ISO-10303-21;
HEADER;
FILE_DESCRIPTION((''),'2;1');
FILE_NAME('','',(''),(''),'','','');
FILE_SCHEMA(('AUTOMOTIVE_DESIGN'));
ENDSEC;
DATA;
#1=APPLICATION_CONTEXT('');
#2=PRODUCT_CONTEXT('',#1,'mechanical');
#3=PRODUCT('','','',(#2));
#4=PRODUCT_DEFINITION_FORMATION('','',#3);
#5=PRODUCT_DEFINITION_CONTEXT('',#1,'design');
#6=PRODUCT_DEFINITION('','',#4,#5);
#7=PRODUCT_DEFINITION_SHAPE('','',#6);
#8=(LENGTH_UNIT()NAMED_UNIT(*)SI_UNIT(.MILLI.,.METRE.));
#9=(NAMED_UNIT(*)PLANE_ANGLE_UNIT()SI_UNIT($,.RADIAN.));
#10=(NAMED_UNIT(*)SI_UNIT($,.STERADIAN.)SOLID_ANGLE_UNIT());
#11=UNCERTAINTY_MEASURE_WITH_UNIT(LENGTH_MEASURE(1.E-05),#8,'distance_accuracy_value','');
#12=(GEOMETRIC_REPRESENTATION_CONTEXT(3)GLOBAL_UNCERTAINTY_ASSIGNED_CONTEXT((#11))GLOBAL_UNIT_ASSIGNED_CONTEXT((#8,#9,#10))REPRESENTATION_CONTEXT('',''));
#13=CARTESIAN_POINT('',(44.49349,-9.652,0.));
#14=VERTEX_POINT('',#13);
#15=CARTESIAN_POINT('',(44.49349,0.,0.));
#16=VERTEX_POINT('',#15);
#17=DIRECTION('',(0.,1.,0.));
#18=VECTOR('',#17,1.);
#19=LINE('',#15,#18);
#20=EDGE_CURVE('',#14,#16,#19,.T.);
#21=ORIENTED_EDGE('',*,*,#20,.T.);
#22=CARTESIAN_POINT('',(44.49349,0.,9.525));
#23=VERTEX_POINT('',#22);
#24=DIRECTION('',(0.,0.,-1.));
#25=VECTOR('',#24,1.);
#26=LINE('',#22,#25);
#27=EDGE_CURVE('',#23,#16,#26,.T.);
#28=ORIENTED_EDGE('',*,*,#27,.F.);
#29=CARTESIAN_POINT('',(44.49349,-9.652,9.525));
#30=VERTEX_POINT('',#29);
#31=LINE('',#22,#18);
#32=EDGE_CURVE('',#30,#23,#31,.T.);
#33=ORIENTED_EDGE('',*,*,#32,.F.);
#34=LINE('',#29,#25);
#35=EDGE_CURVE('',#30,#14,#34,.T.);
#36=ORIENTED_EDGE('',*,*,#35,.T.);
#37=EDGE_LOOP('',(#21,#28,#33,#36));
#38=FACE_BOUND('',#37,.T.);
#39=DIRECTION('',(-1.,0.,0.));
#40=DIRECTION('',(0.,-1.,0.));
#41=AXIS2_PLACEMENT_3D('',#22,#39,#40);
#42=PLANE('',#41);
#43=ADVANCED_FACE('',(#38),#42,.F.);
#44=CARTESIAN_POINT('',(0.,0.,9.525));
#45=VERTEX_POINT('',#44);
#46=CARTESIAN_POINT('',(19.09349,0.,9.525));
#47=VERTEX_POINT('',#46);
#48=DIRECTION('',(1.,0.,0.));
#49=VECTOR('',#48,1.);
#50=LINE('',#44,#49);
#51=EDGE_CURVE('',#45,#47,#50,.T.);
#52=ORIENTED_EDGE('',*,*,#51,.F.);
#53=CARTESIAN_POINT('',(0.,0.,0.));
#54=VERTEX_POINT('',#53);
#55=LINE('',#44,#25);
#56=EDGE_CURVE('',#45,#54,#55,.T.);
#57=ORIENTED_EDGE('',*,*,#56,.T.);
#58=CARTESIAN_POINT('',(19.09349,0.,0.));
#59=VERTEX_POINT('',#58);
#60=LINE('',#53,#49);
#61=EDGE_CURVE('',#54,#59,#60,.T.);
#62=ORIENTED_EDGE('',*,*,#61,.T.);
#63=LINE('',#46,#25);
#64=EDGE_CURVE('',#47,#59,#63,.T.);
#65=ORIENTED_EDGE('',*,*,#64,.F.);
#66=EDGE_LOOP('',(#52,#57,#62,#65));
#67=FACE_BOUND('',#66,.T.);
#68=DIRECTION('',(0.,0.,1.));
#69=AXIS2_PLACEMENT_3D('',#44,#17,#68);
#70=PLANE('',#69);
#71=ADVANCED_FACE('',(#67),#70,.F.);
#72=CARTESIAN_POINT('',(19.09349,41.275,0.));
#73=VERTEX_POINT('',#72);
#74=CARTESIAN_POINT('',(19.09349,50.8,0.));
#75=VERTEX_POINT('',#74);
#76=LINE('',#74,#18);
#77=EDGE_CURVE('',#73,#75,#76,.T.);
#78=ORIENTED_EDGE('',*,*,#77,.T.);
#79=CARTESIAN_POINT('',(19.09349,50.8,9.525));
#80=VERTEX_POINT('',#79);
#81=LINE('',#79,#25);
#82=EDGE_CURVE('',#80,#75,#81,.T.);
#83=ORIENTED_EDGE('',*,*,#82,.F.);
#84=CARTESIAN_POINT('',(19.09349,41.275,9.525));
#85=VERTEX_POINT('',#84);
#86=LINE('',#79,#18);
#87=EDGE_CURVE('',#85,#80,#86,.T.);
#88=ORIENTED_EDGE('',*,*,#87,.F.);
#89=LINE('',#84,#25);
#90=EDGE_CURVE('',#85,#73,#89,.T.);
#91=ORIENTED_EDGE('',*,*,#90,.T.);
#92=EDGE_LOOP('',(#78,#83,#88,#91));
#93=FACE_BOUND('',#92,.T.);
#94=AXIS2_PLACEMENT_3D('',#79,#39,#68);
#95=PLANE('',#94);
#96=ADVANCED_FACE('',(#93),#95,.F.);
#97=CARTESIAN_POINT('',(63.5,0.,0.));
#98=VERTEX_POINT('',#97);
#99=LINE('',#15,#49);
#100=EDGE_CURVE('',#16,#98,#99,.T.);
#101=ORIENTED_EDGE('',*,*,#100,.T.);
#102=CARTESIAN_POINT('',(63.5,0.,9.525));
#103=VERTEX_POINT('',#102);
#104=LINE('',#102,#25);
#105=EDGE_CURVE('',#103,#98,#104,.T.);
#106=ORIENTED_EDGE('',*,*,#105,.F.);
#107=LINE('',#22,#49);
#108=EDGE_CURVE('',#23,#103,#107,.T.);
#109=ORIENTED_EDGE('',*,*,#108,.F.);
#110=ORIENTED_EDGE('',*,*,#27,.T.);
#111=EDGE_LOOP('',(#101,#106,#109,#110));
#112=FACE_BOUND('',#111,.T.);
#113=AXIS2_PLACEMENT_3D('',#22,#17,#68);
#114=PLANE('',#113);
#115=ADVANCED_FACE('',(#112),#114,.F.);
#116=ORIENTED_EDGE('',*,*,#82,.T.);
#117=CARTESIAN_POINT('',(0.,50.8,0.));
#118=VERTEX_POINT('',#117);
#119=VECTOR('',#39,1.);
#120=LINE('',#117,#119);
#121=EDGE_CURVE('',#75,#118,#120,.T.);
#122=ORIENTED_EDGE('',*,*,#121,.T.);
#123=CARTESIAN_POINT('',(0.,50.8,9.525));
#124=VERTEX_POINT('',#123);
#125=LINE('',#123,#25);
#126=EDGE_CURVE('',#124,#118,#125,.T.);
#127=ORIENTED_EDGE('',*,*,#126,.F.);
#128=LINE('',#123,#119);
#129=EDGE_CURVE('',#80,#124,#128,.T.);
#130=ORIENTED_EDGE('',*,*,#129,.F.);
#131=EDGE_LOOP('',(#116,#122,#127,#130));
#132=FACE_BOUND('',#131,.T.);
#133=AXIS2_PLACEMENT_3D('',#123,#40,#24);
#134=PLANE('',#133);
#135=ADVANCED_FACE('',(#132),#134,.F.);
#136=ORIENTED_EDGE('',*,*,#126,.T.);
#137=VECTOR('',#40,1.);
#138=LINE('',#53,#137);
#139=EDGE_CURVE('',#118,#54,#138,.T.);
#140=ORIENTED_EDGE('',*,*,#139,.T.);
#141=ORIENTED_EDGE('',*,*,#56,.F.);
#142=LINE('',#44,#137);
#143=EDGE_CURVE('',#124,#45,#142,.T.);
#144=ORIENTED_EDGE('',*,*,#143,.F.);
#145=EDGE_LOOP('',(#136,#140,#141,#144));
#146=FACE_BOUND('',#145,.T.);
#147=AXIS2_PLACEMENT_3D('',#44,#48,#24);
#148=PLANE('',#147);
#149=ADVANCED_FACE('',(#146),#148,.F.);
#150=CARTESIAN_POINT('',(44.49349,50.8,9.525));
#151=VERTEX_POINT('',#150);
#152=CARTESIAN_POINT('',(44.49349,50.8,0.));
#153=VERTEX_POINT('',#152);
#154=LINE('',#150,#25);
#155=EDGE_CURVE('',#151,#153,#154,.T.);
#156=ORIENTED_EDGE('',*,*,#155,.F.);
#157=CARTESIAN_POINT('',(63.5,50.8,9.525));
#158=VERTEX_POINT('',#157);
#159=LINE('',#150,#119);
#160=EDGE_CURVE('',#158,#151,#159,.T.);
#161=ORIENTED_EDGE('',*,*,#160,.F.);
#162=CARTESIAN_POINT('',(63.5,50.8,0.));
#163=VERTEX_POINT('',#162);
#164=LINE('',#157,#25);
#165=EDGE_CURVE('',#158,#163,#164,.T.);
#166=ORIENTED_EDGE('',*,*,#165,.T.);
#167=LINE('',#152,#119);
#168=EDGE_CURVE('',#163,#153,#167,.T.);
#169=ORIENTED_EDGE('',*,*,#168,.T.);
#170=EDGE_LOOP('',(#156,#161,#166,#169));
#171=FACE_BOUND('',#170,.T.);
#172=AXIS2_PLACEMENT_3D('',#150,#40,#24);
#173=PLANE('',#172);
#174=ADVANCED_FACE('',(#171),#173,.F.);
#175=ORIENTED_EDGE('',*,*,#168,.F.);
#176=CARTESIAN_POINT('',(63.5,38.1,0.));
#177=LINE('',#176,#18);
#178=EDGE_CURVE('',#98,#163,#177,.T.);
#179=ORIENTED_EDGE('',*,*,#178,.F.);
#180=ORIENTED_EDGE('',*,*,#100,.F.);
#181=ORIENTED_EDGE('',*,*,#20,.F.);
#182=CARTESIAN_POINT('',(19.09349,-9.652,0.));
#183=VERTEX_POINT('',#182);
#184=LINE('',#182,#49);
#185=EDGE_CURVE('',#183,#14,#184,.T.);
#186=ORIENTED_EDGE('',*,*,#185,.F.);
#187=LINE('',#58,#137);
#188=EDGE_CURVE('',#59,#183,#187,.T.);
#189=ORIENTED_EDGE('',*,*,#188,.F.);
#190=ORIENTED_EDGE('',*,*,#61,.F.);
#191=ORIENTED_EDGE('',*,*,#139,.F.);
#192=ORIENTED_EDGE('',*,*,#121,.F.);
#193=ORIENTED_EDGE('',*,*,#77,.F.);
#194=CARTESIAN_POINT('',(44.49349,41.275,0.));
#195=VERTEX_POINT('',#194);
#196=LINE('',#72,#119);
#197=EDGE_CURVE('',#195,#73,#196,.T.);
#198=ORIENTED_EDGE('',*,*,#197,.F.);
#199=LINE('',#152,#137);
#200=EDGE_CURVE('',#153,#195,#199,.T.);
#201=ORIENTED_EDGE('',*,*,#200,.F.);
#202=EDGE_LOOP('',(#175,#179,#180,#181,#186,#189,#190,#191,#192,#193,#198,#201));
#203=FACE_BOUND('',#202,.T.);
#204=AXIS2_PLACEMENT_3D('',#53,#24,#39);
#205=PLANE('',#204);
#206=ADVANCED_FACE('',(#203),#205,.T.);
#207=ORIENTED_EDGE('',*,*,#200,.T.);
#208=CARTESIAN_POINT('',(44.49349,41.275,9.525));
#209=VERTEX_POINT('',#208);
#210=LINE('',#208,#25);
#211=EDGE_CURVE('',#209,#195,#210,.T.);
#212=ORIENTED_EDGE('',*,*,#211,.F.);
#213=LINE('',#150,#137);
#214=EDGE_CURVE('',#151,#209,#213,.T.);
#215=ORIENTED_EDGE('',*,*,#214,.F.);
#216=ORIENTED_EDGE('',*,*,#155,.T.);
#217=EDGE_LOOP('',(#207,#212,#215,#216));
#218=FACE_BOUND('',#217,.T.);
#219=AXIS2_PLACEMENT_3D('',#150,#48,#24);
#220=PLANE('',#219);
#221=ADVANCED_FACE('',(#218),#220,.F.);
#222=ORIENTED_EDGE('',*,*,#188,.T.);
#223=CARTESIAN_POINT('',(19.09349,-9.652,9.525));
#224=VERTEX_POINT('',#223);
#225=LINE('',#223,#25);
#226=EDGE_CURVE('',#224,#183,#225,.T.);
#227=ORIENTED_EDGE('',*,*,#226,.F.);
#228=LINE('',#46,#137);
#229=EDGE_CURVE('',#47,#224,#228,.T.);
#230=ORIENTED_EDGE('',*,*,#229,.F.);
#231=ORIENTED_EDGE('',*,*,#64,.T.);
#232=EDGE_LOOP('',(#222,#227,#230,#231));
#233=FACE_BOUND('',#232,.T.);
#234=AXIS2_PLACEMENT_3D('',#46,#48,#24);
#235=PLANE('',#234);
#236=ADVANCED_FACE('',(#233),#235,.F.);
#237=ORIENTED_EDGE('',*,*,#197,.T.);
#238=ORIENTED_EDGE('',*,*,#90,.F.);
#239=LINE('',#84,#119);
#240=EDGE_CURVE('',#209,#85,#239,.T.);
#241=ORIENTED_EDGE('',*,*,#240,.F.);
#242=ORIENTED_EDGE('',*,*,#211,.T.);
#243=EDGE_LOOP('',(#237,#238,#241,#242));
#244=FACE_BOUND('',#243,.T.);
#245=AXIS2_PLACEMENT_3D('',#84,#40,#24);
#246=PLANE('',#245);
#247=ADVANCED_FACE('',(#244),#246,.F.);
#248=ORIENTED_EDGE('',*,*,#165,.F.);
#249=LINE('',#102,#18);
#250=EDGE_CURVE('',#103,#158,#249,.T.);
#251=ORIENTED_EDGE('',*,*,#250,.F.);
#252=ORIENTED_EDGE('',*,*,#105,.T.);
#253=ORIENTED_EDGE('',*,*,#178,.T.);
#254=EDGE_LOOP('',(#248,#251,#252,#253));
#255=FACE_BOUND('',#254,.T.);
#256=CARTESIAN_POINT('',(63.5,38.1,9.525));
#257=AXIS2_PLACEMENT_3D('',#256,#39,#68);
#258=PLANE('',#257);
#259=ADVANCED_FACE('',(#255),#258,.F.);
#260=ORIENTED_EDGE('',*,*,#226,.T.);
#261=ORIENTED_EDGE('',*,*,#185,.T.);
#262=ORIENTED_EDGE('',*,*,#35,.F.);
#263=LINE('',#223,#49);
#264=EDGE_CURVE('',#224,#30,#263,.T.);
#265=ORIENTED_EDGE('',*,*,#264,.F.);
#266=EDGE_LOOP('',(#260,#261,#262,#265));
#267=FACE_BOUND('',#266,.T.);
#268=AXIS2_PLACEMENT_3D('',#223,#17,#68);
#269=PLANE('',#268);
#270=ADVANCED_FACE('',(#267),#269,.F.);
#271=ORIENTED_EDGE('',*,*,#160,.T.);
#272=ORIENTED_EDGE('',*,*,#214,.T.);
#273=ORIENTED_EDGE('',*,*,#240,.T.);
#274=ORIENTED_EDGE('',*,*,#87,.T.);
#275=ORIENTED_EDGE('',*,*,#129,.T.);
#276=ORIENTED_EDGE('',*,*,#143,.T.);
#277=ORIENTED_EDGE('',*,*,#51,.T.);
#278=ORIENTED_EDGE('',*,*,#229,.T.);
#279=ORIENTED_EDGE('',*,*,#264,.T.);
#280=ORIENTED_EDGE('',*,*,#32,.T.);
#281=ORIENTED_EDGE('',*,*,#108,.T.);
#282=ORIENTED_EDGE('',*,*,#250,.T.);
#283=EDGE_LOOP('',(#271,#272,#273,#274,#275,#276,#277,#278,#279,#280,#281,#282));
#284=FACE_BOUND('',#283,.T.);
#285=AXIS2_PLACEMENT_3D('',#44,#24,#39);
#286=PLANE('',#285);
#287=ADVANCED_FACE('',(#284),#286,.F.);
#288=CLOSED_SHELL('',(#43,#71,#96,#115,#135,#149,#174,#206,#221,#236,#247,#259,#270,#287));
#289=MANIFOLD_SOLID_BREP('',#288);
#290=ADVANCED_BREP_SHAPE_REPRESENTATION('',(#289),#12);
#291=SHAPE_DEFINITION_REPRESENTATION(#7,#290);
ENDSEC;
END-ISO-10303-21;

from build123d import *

# Parameters (mm, degrees)
BOSS_EXTRUDE1_DEPTH = 9.525


with BuildPart() as part:
    # Sketch1 → Boss-Extrude1 (new body)
    with BuildSketch(Plane.XY):
        Polygon((0, 0), (19.093490169, 0), (19.093490169, -9.652), (44.493490169, -9.652), (44.493490169, 0), (63.5, 0), (63.5, 12.7), (63.5, 38.1), (63.5, 50.8), (44.493490169, 50.8), (44.493490169, 41.275), (19.093490169, 41.275), (19.093490169, 50.8), (0, 50.8), align=None)
    extrude(amount=BOSS_EXTRUDE1_DEPTH)


solid = part.part
